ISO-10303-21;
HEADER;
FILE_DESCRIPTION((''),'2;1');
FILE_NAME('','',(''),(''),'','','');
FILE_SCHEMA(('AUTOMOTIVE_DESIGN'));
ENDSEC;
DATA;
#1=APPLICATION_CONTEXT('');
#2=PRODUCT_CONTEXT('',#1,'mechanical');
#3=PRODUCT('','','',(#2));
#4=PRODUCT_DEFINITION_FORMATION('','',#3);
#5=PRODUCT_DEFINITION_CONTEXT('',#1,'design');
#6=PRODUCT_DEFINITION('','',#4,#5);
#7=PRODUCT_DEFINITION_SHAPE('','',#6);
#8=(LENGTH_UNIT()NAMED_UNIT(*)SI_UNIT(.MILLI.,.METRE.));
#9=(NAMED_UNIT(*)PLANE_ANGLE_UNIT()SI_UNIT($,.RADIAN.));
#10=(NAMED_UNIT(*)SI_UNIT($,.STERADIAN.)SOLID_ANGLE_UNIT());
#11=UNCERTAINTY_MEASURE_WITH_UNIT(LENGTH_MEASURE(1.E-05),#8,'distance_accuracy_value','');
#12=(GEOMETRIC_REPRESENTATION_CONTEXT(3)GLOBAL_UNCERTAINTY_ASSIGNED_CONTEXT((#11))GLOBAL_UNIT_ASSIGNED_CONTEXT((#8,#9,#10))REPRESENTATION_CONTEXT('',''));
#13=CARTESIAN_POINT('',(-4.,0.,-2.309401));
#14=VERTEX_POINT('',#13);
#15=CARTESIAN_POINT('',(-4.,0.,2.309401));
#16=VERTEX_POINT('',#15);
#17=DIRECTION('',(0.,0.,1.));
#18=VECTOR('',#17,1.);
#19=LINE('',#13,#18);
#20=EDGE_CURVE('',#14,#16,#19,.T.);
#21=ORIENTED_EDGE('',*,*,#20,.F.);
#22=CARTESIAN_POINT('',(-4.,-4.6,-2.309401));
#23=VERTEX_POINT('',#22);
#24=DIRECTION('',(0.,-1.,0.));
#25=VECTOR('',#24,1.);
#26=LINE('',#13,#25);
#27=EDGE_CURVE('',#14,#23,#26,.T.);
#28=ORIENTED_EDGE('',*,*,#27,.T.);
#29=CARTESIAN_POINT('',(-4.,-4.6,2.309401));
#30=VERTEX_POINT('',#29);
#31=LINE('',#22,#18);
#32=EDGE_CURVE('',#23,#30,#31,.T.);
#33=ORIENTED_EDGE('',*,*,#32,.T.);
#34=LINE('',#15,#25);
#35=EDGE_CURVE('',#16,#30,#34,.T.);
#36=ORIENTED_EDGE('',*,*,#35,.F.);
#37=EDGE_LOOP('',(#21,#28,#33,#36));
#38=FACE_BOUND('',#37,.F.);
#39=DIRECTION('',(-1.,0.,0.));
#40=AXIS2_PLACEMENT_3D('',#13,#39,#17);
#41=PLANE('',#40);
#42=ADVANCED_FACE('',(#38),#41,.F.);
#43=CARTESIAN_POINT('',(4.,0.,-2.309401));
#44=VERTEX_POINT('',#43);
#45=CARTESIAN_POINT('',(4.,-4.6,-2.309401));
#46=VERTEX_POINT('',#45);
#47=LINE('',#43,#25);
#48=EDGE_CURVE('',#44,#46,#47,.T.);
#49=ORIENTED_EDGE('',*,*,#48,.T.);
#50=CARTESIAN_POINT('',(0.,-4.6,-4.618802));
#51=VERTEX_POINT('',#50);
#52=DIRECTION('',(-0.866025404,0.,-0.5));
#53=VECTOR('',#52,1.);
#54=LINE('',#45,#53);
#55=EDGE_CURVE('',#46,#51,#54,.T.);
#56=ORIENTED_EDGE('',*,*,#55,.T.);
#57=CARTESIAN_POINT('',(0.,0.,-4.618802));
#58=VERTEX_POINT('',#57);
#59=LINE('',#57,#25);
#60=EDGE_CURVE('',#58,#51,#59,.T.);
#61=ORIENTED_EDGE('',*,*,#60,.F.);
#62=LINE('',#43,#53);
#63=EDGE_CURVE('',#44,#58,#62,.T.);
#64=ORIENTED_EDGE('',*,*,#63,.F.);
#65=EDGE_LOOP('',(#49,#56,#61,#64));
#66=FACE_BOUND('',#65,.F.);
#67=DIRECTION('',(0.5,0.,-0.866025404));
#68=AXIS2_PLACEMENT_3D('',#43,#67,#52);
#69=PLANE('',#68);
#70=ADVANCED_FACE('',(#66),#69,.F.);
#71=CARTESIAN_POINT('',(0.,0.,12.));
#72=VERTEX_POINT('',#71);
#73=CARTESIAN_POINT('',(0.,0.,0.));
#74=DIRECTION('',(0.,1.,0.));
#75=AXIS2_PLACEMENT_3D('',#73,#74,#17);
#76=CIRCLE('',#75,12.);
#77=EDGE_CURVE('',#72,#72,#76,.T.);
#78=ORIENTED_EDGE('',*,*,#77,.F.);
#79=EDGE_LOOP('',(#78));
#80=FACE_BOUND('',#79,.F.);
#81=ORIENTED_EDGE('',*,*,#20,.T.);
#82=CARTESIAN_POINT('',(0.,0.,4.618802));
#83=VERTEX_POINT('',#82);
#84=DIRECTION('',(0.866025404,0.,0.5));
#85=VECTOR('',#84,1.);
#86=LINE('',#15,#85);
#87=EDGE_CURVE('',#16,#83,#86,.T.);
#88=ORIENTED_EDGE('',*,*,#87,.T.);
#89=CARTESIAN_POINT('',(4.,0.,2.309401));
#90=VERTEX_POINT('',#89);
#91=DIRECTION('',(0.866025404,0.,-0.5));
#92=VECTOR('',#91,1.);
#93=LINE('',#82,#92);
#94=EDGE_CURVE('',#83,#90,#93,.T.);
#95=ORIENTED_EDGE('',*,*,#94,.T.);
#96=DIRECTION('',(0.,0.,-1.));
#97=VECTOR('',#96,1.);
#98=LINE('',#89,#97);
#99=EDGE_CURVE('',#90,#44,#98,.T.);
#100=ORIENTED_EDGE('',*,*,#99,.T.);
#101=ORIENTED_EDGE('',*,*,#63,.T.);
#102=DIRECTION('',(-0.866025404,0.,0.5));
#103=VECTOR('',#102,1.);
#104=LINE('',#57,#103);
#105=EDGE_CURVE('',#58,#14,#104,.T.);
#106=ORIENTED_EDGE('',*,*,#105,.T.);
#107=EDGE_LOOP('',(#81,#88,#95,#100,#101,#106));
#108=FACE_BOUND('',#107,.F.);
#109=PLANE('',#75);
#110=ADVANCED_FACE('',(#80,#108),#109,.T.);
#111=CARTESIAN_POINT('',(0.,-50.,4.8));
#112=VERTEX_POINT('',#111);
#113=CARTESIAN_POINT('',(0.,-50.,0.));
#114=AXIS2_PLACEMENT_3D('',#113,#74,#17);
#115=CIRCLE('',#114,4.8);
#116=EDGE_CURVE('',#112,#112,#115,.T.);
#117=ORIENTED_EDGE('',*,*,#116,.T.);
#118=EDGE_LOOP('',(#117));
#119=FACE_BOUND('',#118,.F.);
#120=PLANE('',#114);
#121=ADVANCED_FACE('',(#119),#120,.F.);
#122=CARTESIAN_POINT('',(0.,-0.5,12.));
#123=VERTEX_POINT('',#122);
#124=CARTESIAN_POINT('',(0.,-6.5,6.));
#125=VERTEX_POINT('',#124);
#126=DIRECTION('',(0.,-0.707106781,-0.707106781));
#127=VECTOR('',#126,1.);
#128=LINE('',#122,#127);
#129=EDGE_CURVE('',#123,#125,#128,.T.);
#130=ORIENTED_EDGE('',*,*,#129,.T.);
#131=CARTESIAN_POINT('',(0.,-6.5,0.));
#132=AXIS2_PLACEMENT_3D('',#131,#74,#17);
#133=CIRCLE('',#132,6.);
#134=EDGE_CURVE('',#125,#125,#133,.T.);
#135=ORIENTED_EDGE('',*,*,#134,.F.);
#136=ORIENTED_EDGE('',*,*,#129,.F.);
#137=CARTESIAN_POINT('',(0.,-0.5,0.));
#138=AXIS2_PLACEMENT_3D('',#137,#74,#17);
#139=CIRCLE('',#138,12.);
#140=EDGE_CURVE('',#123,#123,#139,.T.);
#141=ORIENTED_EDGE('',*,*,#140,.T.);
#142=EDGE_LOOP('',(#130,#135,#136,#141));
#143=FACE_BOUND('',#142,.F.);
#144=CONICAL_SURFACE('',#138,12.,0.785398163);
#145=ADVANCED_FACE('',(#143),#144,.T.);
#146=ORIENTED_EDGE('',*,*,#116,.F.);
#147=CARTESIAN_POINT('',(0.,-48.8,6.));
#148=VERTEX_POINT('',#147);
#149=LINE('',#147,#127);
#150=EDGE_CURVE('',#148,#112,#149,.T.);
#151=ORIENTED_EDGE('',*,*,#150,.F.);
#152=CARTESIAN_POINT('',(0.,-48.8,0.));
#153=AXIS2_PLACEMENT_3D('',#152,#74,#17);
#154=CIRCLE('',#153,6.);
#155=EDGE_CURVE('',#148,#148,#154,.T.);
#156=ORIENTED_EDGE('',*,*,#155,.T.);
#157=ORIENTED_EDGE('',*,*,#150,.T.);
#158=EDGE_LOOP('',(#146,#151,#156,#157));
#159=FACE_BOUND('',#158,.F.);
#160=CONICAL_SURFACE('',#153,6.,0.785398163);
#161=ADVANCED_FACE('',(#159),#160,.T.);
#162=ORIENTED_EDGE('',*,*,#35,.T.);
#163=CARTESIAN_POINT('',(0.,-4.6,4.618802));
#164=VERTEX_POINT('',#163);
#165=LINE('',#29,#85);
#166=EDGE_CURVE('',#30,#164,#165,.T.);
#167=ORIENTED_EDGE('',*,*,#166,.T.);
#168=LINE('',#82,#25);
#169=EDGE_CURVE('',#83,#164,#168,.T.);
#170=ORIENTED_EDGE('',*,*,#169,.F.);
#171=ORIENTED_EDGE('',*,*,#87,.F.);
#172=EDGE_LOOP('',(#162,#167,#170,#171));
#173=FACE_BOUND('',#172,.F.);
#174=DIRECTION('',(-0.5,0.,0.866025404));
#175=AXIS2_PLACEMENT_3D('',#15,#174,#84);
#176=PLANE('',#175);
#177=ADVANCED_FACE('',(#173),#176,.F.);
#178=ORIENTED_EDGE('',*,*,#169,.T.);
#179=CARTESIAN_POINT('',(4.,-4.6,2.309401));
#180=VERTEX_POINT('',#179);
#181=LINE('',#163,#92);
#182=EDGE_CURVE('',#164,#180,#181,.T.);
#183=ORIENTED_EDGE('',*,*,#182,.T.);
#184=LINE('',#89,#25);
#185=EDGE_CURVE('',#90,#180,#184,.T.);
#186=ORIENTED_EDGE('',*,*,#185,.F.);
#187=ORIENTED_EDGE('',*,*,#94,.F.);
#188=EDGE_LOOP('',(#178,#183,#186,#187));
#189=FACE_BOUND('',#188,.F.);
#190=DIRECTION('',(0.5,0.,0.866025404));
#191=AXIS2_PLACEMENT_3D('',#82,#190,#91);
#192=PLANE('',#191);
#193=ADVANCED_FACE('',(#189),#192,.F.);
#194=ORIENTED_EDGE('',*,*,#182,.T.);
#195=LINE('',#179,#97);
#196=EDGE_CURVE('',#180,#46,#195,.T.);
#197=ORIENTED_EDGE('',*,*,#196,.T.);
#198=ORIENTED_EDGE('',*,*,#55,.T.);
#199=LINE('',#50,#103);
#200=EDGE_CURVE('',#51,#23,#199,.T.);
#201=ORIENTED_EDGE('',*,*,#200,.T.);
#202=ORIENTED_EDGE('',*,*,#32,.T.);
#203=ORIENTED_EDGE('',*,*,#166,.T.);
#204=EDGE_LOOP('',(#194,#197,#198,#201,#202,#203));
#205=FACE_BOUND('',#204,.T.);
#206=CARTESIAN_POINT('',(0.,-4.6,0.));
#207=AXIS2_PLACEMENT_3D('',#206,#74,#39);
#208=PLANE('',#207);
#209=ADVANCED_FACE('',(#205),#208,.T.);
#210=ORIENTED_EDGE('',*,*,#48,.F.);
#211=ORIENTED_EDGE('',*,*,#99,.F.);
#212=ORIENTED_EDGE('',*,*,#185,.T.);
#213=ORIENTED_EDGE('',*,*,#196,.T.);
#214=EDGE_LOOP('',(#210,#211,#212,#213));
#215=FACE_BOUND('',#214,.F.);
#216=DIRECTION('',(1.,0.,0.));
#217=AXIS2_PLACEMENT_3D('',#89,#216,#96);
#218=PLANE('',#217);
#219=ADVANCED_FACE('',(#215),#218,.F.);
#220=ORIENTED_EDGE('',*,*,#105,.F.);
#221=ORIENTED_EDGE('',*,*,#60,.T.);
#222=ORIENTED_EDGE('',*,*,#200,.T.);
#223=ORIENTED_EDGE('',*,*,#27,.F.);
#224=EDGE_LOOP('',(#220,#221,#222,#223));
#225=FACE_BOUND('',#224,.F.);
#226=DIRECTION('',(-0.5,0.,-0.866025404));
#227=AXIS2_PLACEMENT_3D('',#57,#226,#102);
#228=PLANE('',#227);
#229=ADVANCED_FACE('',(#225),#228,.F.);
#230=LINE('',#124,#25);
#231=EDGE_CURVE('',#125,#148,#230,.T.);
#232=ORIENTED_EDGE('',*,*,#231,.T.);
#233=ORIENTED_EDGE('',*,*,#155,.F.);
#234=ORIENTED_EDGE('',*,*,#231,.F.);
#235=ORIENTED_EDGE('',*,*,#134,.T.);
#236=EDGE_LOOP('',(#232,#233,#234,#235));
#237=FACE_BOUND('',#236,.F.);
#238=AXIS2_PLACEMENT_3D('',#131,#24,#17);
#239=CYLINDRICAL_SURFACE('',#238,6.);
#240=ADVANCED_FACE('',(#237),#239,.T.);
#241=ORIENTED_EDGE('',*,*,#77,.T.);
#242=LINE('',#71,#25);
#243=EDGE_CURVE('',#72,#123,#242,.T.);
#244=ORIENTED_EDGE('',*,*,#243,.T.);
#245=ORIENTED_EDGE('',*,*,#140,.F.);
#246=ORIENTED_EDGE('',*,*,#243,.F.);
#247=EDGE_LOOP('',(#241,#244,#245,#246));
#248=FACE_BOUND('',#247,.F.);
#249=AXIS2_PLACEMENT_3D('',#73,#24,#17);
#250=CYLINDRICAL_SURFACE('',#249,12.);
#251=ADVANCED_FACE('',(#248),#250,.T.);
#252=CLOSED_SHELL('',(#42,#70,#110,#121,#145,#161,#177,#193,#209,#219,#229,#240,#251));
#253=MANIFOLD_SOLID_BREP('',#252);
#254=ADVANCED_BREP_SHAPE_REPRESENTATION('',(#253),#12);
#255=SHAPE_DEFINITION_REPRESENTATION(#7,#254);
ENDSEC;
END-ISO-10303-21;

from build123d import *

# Parameters (mm, degrees)
F4_DEPTH = 4.6


with BuildPart() as f2:
    # F1 (on Right) → F2 (revolve)
    with BuildSketch(Plane.YZ):
        Polygon((-50, 0), (0, 0), (0, 12), (-0.5, 12), (-6.5, 6), (-48.8, 6), (-50, 4.8), align=None)
    revolve(axis=Axis((0, -25, 0), (0, 1, 0)))

    # F3 (on face) → F4 (cut)
    with BuildSketch(Plane(origin=(0, 0, 0), x_dir=(-1, 0, 0), z_dir=(0, 1, 0))):
        Polygon((4, 2.3094010768), (0, 4.6188021535), (-4, 2.3094010768), (-4, -2.3094010768), (0, -4.6188021535), (4, -2.3094010768), align=None)
    extrude(amount=-F4_DEPTH, mode=Mode.SUBTRACT)


solid = f2.part
